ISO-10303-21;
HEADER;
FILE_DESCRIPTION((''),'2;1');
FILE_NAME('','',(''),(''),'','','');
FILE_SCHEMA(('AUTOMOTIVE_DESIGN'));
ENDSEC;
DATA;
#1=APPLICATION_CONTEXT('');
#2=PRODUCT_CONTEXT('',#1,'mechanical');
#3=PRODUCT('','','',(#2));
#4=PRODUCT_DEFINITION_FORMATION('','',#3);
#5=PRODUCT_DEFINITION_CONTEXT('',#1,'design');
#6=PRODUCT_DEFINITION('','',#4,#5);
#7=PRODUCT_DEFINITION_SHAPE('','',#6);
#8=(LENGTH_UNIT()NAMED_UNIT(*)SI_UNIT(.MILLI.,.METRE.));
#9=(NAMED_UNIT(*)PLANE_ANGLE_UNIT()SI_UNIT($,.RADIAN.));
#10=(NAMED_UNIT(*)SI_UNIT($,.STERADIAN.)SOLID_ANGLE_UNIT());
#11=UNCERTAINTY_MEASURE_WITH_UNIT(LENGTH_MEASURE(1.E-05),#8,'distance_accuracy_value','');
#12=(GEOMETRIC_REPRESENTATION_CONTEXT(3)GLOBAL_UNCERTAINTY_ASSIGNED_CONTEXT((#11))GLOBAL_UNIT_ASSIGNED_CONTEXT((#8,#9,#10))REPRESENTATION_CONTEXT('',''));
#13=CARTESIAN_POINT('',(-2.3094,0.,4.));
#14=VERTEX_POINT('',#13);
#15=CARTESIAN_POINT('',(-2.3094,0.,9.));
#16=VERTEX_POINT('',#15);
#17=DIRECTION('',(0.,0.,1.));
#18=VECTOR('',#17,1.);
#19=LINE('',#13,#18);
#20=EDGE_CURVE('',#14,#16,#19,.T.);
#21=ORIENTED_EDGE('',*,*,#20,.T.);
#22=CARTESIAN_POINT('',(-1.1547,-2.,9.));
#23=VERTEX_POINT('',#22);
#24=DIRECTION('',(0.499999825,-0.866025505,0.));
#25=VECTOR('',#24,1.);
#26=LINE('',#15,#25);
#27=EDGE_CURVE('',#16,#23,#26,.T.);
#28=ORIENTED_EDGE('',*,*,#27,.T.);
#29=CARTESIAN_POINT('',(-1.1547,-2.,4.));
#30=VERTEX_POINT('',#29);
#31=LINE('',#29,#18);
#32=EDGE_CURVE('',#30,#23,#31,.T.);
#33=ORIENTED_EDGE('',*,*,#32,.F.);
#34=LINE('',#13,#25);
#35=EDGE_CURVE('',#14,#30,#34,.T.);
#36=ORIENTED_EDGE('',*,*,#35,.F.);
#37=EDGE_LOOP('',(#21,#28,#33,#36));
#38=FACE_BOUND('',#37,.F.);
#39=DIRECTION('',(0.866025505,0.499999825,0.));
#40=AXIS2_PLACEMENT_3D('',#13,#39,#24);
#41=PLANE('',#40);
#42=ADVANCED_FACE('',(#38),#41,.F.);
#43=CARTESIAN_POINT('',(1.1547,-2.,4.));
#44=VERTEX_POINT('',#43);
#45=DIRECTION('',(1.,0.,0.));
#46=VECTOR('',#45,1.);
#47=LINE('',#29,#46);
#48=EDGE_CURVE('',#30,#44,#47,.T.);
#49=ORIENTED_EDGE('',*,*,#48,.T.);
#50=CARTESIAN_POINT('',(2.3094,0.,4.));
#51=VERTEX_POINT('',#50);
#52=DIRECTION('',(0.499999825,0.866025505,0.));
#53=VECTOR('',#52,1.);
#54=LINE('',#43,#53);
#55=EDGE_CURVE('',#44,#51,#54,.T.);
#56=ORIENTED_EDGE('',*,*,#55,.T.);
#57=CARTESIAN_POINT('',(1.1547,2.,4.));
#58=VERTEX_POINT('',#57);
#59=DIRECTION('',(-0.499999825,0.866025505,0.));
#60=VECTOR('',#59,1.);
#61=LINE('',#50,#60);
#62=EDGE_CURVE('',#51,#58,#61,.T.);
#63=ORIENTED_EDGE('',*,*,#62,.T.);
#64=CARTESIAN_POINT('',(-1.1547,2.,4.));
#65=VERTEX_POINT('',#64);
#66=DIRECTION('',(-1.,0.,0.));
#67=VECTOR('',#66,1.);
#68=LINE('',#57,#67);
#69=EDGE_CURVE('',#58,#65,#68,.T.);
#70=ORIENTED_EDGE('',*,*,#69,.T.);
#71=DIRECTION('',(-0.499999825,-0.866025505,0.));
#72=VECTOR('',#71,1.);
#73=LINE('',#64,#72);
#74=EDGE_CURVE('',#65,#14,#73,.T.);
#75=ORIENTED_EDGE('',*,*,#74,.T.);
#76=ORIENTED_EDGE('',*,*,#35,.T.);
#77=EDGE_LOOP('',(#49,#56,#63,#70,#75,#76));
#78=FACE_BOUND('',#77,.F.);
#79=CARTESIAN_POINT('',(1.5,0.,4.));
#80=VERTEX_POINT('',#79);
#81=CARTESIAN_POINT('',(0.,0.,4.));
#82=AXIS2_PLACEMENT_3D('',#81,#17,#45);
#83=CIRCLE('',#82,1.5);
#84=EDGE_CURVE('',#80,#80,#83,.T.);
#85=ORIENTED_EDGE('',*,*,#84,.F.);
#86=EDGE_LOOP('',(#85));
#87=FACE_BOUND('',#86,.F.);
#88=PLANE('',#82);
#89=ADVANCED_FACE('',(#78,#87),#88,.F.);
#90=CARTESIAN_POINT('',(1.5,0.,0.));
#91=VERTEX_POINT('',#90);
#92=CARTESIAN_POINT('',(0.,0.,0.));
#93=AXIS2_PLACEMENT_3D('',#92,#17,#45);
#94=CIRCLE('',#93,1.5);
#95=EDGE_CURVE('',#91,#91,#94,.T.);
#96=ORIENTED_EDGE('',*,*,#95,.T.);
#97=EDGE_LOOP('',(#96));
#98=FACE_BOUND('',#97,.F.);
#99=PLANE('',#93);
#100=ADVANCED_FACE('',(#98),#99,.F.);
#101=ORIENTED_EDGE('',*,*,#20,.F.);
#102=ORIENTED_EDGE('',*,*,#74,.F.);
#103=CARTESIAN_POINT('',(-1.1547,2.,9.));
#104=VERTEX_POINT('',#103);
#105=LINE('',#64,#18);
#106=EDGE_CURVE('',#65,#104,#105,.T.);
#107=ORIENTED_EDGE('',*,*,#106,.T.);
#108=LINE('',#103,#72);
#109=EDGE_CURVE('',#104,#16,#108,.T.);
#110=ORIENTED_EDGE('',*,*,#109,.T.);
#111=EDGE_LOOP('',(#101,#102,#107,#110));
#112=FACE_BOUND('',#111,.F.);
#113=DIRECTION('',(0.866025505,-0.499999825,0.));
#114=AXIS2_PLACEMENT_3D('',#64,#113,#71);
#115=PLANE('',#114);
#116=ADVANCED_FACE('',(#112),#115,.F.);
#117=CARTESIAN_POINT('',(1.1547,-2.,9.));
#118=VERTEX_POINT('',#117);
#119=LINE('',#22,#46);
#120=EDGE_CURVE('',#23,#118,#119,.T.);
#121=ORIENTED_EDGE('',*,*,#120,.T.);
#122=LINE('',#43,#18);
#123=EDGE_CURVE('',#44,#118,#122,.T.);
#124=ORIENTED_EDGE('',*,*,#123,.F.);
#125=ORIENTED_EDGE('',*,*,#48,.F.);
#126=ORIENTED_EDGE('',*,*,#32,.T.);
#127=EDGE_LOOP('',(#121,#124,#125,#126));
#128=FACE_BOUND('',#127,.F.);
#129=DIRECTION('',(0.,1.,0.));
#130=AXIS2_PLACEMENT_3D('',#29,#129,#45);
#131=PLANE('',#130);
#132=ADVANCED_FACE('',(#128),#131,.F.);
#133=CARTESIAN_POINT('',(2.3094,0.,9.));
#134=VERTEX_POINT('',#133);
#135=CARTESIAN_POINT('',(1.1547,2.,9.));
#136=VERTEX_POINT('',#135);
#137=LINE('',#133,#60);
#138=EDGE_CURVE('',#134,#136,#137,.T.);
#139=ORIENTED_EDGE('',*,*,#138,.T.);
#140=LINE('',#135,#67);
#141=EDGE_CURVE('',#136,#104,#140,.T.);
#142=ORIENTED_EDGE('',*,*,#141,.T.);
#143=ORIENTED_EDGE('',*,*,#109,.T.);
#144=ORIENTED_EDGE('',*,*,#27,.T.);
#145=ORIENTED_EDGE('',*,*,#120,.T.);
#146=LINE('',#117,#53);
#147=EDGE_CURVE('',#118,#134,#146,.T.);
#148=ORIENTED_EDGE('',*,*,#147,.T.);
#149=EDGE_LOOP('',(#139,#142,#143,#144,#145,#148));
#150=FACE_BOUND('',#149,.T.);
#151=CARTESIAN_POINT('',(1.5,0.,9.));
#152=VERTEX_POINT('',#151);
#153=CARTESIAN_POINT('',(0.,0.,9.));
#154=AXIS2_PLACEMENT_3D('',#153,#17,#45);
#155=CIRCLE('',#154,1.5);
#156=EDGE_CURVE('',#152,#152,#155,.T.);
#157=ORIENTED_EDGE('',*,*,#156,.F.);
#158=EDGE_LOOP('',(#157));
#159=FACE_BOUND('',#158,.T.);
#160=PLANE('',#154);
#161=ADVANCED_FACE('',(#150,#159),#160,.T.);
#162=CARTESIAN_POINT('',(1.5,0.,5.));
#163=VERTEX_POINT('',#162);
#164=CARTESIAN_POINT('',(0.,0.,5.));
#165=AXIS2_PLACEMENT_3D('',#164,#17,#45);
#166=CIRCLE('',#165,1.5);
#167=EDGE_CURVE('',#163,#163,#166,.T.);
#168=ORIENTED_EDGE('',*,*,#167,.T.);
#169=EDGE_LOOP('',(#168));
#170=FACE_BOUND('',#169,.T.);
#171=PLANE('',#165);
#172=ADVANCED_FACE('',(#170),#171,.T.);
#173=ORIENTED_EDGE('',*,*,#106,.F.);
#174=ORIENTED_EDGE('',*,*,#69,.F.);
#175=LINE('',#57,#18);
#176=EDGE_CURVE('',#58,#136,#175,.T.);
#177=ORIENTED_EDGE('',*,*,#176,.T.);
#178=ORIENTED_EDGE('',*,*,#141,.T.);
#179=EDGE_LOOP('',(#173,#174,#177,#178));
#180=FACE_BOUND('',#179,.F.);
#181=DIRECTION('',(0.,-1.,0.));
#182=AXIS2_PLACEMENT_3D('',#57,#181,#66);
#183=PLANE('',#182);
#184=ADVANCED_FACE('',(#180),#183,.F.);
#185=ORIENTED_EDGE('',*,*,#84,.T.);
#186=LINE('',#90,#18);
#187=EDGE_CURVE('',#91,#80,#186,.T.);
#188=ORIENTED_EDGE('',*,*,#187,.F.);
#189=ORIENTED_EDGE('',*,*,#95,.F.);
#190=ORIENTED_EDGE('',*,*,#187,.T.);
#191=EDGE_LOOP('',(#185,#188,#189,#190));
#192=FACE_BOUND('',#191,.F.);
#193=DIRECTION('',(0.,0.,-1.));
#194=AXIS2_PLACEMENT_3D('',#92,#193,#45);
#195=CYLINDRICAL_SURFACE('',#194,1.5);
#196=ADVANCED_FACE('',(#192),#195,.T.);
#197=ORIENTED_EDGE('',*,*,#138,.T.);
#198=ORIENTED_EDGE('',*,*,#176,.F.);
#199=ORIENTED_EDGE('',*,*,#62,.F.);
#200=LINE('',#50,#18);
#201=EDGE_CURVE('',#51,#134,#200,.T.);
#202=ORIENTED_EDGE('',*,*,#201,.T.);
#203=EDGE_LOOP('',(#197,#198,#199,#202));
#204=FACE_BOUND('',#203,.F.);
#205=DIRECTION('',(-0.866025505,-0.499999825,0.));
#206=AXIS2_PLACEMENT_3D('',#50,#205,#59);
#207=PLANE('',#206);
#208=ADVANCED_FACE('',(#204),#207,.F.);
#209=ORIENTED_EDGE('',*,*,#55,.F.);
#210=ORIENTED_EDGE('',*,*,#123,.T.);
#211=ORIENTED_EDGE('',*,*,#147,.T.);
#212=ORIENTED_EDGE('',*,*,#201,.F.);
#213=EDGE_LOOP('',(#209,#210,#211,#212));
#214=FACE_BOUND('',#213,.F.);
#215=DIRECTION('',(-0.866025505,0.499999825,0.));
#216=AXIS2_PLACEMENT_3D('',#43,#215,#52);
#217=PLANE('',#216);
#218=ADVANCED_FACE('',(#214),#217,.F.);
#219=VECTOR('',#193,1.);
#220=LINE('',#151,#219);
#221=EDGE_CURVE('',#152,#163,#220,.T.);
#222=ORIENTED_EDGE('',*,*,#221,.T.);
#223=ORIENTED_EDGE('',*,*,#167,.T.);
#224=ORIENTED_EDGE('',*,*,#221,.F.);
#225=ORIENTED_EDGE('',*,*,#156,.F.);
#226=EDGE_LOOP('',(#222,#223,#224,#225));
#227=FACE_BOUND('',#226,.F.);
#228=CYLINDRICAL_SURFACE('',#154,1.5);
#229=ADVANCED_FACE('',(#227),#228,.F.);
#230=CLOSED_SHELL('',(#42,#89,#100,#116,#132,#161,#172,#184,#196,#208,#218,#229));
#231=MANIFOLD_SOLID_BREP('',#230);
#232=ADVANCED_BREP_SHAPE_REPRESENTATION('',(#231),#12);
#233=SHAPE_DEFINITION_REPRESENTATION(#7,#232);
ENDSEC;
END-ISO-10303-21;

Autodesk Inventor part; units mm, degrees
ref_plane "YZ Plane" through (0, 0, 0) normal (1, 0, 0) x (0, 1, 0)
ref_plane "XZ Plane" through (0, 0, 0) normal (0, 1, 0) x (-1, 0, 0)
ref_plane "XY Plane" through (0, 0, 0) normal (0, 0, 1) x (1, 0, 0)
sketch "Sketch1" plane through (0, 0, 0) normal (0, 0, 1) x (1, 0, 0)
  circle A0 centre (0, 0) radius 1.5
  dimension "d0" = 3
extrude "Extrusion1" add sketch "Sketch1" along normal blind 4
sketch "Sketch2" plane through (0, 0, 4) normal (0, 0, 1) x (1, 0, 0)
  circle A0 centre (0, 0) radius 1.5 construction
  line L0 (0.866, 1.5) -> (1.7321, 0) construction
  line L1 (1.7321, 0) -> (0.866, -1.5)
  line L2 (0.866, -1.5) -> (-0.866, -1.5)
  line L3 (-0.866, -1.5) -> (-1.7321, 0)
  line L4 (-1.7321, 0) -> (-0.866, 1.5)
  line L5 (-0.866, 1.5) -> (0.866, 1.5)
  line L6 (2.3094, 0) -> (1.1547, 2)
  line L7 (1.1547, 2) -> (-1.1547, 2)
  line L8 (-1.1547, 2) -> (-2.3094, 0)
  line L9 (-2.3094, 0) -> (-1.1547, -2)
  line L10 (-1.1547, -2) -> (1.1547, -2)
  line L11 (1.1547, -2) -> (2.3094, 0)
  point P0 (0, 1.5)
  dimension "d3" = 0.5
extrude "Extrusion2" add sketch "Sketch2" along normal blind 5
sketch "Sketch3" plane through (0, 0, 9) normal (0, 0, 1) x (1, 0, 0)
  circle A0 centre (0, 0) radius 1.5
  dimension "d6" = 3
extrude "Extrusion3" cut sketch "Sketch3" against normal blind 4
properties part number "piedino"
